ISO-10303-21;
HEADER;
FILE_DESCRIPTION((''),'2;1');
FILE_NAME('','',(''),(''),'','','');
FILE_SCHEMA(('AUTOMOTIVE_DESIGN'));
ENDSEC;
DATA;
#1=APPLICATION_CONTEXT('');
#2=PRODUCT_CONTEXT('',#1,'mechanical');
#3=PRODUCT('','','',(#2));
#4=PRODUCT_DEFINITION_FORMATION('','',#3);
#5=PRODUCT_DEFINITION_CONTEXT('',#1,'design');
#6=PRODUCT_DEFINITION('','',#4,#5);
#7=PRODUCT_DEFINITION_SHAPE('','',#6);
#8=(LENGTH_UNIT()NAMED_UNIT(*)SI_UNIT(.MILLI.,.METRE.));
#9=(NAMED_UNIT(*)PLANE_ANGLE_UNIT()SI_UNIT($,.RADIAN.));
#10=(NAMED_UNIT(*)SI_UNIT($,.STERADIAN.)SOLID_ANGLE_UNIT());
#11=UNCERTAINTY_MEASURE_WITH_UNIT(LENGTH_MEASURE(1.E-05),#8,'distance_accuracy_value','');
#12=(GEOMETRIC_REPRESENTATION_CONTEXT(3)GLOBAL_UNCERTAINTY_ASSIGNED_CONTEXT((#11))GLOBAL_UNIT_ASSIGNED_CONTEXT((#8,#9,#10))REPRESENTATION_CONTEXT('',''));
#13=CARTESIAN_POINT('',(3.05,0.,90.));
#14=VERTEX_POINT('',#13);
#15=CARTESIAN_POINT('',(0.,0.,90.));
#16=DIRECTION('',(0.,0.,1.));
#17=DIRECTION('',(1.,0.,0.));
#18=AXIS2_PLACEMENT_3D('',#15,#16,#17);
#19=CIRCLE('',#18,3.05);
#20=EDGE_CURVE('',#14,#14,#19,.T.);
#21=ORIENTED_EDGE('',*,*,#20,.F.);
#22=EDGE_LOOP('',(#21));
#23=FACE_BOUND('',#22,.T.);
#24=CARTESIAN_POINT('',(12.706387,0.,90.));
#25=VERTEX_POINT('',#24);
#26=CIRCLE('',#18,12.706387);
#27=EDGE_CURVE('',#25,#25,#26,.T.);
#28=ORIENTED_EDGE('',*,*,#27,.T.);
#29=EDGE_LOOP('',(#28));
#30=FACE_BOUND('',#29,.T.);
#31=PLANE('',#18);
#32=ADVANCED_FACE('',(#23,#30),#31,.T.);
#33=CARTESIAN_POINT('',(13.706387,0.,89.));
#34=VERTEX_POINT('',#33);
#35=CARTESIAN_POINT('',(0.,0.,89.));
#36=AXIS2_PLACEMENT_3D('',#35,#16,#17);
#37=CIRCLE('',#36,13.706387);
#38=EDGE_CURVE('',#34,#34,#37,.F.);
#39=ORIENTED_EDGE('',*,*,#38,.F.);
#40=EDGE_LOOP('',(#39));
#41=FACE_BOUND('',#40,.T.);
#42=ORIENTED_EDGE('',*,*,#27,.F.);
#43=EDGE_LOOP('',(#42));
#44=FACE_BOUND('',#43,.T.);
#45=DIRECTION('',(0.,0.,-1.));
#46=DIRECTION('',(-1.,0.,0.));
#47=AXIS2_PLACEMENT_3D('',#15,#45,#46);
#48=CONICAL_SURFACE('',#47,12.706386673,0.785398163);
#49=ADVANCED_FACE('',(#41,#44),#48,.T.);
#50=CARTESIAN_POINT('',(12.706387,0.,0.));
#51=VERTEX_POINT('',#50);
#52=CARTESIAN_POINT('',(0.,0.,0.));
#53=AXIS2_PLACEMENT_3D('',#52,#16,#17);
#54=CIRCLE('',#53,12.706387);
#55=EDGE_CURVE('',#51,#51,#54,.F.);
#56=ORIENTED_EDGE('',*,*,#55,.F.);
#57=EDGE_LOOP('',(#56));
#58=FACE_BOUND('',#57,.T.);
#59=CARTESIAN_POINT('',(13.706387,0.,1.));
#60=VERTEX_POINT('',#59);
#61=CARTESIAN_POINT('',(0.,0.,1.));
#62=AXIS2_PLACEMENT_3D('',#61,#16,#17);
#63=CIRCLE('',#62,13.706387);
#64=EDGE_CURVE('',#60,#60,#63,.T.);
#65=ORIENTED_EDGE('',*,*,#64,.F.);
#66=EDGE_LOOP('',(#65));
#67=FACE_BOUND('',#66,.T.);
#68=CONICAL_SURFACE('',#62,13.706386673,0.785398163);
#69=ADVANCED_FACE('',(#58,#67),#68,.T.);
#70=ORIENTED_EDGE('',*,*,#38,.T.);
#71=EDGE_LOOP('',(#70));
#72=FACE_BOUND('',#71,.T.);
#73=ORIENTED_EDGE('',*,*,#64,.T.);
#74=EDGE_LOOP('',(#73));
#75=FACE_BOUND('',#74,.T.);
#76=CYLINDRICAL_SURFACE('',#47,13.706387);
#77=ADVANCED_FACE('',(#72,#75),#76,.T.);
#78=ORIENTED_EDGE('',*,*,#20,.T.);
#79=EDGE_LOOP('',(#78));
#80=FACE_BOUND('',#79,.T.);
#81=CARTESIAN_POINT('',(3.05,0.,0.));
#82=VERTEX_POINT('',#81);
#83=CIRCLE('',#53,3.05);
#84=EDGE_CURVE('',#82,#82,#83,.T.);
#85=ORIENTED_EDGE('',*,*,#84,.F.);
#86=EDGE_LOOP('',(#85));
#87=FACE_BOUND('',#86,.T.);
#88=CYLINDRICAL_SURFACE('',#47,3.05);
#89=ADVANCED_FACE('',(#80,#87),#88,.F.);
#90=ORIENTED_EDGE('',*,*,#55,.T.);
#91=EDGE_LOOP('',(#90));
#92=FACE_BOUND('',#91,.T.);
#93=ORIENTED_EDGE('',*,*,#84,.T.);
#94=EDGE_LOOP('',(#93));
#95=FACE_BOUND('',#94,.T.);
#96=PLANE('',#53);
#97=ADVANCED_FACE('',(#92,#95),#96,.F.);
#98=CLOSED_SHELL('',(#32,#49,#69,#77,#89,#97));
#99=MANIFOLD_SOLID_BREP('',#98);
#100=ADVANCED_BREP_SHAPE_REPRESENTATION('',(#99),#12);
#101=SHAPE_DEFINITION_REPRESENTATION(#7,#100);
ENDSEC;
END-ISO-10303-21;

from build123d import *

# Parameters (mm, degrees)
SKETCH1_R           = 13.706386673
SKETCH1_R_2         = 3.05
BOSS_EXTRUDE1_DEPTH = 90
CHAMFER1_SIZE       = 1


with BuildPart() as part:
    # Sketch1 → Boss-Extrude1 (new body)
    with BuildSketch(Plane.XY):
        Circle(SKETCH1_R)
        Circle(SKETCH1_R_2, mode=Mode.SUBTRACT)
    extrude(amount=BOSS_EXTRUDE1_DEPTH)

    # Chamfer1
    chamfer1_edges = [part.edges().sort_by_distance(p)[0] for p in [
        (-13.706386673, 0, 0),
        (-13.706386673, 0, 90),
    ]]
    chamfer(chamfer1_edges, length=CHAMFER1_SIZE)


solid = part.part
